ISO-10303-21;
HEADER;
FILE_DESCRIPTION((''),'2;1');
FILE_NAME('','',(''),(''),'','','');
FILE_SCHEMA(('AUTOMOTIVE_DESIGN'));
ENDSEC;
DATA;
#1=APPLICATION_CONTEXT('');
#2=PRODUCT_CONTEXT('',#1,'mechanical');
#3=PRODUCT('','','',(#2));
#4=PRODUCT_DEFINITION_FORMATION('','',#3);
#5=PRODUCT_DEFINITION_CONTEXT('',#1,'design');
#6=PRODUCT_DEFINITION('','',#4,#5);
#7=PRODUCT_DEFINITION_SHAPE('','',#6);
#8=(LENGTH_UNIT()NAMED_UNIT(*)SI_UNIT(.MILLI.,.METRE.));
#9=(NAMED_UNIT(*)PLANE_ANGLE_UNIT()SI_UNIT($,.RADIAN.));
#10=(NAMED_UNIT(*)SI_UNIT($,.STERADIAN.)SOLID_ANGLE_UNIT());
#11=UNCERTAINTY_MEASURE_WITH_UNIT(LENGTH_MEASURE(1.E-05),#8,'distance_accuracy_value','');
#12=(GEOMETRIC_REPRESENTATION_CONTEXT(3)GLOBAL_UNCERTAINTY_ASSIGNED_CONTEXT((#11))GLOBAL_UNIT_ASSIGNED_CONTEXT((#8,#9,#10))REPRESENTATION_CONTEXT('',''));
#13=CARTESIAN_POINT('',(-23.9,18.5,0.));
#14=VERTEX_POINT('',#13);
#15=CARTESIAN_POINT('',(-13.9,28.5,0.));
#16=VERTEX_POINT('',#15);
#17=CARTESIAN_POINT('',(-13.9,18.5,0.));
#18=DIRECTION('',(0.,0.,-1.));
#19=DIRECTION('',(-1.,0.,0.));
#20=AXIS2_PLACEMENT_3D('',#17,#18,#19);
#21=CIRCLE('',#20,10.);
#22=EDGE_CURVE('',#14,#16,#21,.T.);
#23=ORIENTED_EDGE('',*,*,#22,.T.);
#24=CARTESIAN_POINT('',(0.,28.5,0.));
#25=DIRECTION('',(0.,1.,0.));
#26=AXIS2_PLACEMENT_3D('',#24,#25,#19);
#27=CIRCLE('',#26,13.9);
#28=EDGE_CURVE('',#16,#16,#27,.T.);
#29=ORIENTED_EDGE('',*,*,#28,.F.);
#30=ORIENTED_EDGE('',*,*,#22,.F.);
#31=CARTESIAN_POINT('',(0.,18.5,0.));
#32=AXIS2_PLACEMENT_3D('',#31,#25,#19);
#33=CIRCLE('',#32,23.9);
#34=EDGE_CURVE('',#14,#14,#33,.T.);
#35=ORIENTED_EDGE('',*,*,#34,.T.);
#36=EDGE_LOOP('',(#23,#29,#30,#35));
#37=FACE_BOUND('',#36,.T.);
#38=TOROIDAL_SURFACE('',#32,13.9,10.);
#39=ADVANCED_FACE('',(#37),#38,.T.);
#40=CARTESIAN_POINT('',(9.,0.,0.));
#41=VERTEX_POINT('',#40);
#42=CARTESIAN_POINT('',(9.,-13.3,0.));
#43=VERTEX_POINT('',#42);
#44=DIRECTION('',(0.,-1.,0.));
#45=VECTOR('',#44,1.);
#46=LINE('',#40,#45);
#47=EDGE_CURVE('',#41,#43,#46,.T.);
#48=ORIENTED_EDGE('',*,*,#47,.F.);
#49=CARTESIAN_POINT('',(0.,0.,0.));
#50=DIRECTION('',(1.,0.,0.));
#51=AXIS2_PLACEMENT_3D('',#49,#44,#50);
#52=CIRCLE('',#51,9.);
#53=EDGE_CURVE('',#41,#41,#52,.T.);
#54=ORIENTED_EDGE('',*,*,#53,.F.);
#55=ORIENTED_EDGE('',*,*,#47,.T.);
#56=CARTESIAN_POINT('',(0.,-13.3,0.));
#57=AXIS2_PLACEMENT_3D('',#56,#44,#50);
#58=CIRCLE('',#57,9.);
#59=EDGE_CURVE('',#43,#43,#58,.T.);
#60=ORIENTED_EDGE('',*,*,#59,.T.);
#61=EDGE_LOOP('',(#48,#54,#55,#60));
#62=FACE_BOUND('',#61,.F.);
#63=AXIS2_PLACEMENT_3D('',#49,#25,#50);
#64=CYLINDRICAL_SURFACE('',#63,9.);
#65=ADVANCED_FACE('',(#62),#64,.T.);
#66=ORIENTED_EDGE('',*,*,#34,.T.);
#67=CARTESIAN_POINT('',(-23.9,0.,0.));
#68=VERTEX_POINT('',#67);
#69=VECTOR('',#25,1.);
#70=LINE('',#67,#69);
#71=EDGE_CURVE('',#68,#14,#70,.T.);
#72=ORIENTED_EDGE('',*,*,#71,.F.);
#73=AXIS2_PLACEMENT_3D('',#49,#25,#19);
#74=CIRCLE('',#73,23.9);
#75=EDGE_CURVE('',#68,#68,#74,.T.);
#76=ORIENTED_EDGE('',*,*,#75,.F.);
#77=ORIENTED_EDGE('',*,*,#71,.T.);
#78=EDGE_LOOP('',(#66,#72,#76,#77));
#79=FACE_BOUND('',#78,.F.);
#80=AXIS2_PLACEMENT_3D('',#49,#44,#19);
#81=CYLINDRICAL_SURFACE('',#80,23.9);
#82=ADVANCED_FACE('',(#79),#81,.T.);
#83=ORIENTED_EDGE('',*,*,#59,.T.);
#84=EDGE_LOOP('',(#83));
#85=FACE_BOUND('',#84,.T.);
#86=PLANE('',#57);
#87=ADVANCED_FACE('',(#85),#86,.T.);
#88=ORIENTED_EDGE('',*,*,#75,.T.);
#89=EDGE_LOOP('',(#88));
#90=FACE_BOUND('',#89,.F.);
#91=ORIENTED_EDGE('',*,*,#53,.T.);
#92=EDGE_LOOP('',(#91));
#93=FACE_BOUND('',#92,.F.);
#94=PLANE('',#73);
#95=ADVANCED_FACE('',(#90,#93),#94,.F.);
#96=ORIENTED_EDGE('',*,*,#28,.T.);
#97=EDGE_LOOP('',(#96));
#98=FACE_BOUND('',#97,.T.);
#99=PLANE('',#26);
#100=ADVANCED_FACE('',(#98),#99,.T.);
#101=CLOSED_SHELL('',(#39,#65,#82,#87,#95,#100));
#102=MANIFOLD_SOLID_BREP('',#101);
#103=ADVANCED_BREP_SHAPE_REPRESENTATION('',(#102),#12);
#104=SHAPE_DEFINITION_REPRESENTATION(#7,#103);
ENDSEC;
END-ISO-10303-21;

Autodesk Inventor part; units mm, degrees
ref_plane "YZ Plane" through (0, 0, 0) normal (1, 0, 0) x (0, 1, 0)
ref_plane "XZ Plane" through (0, 0, 0) normal (0, 1, 0) x (-1, 0, 0)
ref_plane "XY Plane" through (0, 0, 0) normal (0, 0, 1) x (1, 0, 0)
sketch "Sketch1" plane through (0, 0, 0) normal (0, 1, 0) x (-1, 0, 0)
  circle A0 centre (0, 0) radius 23.9
  dimension "d0" = 47.8
extrude "Extrusion1" add sketch "Sketch1" along normal blind 28.5
fillet "Fillet1" radius 10 1 edges at (23.9, 28.5, 0)
sketch "Sketch2" plane through (0, 0, 0) normal (0, -1, 0) x (1, 0, 0)
  circle A0 centre (0, 0) radius 9
  dimension "d4" = 18
extrude "Extrusion2" add sketch "Sketch2" along normal blind 13.3
thread "Thread1" size "M18x2.5" class "6g" standard "ANSI Metric M Profile" full length
properties part number "G21.B.301111"
